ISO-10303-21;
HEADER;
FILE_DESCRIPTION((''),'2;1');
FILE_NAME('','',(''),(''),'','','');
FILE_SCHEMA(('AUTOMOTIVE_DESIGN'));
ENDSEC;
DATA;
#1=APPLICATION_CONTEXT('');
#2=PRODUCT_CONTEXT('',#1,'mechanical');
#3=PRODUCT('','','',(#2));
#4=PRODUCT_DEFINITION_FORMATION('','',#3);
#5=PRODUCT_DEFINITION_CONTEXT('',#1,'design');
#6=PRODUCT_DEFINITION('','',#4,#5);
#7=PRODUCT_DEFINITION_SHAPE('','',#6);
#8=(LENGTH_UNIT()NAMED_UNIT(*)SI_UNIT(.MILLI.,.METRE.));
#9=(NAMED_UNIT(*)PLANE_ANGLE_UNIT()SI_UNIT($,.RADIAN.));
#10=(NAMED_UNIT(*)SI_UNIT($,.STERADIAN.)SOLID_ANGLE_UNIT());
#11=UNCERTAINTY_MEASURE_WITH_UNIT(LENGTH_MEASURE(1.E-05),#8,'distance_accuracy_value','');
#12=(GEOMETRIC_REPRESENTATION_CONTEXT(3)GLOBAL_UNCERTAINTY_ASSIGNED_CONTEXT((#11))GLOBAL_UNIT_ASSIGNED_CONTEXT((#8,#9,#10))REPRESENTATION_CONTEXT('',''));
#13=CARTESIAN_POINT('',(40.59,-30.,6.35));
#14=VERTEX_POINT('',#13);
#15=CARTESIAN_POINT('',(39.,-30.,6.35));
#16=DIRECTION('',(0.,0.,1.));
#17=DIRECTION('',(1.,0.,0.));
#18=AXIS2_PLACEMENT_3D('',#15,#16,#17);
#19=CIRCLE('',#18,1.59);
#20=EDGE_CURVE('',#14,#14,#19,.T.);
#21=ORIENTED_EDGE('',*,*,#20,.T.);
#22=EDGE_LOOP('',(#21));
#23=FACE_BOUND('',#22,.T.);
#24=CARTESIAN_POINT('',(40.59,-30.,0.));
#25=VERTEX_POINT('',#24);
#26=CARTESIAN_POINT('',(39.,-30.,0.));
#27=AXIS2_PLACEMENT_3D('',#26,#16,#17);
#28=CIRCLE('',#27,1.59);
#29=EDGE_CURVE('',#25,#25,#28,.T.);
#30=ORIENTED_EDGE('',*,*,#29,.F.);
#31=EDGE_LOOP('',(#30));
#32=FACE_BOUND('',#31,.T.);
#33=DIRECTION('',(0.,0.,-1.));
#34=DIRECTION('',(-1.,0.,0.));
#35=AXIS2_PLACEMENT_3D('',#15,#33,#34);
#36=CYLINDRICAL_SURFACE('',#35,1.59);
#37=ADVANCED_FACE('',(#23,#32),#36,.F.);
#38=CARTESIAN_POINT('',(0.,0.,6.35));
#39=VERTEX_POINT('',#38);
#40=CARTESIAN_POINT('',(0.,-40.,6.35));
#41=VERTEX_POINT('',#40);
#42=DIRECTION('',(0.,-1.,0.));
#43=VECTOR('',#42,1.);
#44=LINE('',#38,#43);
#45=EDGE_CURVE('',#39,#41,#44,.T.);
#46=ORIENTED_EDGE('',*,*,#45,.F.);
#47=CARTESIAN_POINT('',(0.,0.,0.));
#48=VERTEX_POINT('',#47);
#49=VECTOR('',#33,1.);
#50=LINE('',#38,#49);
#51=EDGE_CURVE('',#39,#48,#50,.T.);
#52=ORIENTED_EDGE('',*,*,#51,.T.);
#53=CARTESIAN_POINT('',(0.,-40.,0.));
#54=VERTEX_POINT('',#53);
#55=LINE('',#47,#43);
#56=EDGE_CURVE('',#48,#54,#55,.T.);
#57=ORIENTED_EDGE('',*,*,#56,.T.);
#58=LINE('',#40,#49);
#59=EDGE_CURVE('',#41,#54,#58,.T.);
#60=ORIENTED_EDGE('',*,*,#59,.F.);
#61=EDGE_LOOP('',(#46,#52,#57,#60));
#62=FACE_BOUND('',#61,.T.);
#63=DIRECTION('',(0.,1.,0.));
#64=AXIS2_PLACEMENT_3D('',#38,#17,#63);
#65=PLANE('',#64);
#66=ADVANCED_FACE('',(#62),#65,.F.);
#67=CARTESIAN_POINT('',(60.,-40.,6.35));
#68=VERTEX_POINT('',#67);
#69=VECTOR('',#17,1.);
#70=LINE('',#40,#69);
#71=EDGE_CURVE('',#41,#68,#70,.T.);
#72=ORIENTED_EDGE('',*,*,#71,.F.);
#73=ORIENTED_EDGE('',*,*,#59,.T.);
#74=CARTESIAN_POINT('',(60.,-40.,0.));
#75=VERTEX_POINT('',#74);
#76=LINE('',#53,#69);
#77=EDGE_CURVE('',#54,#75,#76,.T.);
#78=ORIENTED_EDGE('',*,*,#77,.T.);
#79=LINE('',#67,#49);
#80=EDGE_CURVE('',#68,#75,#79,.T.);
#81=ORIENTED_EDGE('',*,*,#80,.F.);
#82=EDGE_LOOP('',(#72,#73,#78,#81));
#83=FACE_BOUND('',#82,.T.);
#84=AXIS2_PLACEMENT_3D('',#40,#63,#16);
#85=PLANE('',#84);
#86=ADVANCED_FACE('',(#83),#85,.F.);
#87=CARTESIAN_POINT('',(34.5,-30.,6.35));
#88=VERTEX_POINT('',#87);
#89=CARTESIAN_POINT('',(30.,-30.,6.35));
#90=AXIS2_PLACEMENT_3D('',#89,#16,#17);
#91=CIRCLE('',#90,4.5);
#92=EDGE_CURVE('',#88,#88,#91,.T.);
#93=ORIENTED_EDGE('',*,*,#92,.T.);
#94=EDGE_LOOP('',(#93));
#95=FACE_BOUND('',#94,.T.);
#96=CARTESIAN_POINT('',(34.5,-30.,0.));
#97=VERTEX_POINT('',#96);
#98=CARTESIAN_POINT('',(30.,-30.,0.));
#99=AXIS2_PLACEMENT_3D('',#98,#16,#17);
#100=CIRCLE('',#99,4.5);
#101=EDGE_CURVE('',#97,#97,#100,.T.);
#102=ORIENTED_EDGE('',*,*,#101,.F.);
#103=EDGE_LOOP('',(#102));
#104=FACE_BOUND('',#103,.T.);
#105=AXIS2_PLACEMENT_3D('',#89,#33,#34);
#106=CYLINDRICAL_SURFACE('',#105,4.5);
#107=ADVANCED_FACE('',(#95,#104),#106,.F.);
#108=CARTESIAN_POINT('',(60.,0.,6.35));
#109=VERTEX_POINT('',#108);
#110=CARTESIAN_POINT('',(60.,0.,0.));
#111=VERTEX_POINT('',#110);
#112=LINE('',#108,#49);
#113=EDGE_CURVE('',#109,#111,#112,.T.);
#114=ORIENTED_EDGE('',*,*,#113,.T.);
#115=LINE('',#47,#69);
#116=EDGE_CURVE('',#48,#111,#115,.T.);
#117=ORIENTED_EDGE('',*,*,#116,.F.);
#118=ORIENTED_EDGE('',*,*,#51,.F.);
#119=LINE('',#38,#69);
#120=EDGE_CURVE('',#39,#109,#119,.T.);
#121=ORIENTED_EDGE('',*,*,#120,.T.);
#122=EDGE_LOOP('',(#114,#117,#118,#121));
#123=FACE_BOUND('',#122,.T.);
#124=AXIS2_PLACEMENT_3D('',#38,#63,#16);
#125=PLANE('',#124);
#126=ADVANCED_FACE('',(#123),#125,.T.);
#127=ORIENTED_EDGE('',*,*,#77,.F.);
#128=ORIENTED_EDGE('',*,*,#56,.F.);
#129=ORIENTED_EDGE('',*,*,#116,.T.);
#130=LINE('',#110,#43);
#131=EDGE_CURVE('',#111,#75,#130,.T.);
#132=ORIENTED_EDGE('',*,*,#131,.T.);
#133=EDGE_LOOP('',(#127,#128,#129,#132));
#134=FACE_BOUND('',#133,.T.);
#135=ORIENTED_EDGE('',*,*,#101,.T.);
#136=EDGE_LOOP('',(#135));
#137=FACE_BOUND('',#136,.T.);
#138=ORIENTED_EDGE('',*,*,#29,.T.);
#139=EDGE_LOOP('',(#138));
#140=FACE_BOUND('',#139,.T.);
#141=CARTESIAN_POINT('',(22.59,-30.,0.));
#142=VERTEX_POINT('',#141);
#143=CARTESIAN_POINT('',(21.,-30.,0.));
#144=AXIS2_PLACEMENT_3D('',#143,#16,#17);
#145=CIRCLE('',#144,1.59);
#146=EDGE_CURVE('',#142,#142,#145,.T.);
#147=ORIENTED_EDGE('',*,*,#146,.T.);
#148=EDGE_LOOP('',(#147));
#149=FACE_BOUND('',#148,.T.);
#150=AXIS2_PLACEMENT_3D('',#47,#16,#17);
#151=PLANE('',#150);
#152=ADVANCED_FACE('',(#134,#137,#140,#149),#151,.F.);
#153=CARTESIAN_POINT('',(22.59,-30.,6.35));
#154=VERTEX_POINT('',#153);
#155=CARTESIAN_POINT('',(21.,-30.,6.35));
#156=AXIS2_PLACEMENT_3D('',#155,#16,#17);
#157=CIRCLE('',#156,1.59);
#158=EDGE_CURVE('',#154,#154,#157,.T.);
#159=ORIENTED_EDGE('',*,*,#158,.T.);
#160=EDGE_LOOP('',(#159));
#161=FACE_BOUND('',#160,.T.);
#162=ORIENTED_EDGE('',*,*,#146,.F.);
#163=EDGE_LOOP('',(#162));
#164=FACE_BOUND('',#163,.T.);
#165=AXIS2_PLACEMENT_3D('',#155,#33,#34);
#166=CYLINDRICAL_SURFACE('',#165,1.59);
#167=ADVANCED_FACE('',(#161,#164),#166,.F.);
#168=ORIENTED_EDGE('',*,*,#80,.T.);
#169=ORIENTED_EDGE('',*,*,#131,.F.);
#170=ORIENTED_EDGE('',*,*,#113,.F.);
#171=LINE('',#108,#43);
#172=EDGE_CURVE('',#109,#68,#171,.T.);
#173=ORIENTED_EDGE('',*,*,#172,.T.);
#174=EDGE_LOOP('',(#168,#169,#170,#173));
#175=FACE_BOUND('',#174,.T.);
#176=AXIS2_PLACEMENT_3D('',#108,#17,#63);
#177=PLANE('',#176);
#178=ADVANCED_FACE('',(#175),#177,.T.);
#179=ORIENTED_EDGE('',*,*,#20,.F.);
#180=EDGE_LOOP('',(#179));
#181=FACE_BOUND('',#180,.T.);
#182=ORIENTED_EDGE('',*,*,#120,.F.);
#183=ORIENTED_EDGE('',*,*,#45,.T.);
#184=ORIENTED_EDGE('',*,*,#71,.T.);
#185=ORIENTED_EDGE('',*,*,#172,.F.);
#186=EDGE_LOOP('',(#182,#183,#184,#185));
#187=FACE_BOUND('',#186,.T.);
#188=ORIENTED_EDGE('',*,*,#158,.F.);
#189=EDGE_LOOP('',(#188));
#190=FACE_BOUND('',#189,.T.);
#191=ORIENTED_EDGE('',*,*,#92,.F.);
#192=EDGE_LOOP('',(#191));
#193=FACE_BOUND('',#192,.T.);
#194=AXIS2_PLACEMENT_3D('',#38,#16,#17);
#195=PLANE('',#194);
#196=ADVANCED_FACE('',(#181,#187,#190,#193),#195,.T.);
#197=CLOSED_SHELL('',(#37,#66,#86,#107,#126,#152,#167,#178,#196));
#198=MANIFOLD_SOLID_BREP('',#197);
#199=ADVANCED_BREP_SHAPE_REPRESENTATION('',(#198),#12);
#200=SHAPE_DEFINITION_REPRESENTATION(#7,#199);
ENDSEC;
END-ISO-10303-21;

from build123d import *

# Parameters (mm, degrees)
SKETCH1_W           = 60
SKETCH1_H           = 40
SKETCH1_W_2         = 25
SKETCH1_H_2         = 15
SKETCH1_R           = 1.59
SKETCH1_R_2         = 4.5
BOSS_EXTRUDE1_DEPTH = 6.35


with BuildPart() as part:
    # Sketch1 → Boss-Extrude1 (new body)
    # profile 1 of 2: a face of its own
    with BuildSketch(Plane.XY):
        with Locations((30, -20)):
            Rectangle(SKETCH1_W, SKETCH1_H)
        with Locations((30, -30)):
            Rectangle(SKETCH1_W_2, SKETCH1_H_2, mode=Mode.SUBTRACT)
    # profile 2 of 2: a face of its own
    with BuildSketch(Plane.XY):
        with Locations((30, -30)):
            Rectangle(SKETCH1_W_2, SKETCH1_H_2)
        with Locations((39, -30)):
            Circle(SKETCH1_R, mode=Mode.SUBTRACT)
        with Locations((21, -30)):
            Circle(SKETCH1_R, mode=Mode.SUBTRACT)
        with Locations((30, -30)):
            Circle(SKETCH1_R_2, mode=Mode.SUBTRACT)
    extrude(amount=BOSS_EXTRUDE1_DEPTH)


solid = part.part
